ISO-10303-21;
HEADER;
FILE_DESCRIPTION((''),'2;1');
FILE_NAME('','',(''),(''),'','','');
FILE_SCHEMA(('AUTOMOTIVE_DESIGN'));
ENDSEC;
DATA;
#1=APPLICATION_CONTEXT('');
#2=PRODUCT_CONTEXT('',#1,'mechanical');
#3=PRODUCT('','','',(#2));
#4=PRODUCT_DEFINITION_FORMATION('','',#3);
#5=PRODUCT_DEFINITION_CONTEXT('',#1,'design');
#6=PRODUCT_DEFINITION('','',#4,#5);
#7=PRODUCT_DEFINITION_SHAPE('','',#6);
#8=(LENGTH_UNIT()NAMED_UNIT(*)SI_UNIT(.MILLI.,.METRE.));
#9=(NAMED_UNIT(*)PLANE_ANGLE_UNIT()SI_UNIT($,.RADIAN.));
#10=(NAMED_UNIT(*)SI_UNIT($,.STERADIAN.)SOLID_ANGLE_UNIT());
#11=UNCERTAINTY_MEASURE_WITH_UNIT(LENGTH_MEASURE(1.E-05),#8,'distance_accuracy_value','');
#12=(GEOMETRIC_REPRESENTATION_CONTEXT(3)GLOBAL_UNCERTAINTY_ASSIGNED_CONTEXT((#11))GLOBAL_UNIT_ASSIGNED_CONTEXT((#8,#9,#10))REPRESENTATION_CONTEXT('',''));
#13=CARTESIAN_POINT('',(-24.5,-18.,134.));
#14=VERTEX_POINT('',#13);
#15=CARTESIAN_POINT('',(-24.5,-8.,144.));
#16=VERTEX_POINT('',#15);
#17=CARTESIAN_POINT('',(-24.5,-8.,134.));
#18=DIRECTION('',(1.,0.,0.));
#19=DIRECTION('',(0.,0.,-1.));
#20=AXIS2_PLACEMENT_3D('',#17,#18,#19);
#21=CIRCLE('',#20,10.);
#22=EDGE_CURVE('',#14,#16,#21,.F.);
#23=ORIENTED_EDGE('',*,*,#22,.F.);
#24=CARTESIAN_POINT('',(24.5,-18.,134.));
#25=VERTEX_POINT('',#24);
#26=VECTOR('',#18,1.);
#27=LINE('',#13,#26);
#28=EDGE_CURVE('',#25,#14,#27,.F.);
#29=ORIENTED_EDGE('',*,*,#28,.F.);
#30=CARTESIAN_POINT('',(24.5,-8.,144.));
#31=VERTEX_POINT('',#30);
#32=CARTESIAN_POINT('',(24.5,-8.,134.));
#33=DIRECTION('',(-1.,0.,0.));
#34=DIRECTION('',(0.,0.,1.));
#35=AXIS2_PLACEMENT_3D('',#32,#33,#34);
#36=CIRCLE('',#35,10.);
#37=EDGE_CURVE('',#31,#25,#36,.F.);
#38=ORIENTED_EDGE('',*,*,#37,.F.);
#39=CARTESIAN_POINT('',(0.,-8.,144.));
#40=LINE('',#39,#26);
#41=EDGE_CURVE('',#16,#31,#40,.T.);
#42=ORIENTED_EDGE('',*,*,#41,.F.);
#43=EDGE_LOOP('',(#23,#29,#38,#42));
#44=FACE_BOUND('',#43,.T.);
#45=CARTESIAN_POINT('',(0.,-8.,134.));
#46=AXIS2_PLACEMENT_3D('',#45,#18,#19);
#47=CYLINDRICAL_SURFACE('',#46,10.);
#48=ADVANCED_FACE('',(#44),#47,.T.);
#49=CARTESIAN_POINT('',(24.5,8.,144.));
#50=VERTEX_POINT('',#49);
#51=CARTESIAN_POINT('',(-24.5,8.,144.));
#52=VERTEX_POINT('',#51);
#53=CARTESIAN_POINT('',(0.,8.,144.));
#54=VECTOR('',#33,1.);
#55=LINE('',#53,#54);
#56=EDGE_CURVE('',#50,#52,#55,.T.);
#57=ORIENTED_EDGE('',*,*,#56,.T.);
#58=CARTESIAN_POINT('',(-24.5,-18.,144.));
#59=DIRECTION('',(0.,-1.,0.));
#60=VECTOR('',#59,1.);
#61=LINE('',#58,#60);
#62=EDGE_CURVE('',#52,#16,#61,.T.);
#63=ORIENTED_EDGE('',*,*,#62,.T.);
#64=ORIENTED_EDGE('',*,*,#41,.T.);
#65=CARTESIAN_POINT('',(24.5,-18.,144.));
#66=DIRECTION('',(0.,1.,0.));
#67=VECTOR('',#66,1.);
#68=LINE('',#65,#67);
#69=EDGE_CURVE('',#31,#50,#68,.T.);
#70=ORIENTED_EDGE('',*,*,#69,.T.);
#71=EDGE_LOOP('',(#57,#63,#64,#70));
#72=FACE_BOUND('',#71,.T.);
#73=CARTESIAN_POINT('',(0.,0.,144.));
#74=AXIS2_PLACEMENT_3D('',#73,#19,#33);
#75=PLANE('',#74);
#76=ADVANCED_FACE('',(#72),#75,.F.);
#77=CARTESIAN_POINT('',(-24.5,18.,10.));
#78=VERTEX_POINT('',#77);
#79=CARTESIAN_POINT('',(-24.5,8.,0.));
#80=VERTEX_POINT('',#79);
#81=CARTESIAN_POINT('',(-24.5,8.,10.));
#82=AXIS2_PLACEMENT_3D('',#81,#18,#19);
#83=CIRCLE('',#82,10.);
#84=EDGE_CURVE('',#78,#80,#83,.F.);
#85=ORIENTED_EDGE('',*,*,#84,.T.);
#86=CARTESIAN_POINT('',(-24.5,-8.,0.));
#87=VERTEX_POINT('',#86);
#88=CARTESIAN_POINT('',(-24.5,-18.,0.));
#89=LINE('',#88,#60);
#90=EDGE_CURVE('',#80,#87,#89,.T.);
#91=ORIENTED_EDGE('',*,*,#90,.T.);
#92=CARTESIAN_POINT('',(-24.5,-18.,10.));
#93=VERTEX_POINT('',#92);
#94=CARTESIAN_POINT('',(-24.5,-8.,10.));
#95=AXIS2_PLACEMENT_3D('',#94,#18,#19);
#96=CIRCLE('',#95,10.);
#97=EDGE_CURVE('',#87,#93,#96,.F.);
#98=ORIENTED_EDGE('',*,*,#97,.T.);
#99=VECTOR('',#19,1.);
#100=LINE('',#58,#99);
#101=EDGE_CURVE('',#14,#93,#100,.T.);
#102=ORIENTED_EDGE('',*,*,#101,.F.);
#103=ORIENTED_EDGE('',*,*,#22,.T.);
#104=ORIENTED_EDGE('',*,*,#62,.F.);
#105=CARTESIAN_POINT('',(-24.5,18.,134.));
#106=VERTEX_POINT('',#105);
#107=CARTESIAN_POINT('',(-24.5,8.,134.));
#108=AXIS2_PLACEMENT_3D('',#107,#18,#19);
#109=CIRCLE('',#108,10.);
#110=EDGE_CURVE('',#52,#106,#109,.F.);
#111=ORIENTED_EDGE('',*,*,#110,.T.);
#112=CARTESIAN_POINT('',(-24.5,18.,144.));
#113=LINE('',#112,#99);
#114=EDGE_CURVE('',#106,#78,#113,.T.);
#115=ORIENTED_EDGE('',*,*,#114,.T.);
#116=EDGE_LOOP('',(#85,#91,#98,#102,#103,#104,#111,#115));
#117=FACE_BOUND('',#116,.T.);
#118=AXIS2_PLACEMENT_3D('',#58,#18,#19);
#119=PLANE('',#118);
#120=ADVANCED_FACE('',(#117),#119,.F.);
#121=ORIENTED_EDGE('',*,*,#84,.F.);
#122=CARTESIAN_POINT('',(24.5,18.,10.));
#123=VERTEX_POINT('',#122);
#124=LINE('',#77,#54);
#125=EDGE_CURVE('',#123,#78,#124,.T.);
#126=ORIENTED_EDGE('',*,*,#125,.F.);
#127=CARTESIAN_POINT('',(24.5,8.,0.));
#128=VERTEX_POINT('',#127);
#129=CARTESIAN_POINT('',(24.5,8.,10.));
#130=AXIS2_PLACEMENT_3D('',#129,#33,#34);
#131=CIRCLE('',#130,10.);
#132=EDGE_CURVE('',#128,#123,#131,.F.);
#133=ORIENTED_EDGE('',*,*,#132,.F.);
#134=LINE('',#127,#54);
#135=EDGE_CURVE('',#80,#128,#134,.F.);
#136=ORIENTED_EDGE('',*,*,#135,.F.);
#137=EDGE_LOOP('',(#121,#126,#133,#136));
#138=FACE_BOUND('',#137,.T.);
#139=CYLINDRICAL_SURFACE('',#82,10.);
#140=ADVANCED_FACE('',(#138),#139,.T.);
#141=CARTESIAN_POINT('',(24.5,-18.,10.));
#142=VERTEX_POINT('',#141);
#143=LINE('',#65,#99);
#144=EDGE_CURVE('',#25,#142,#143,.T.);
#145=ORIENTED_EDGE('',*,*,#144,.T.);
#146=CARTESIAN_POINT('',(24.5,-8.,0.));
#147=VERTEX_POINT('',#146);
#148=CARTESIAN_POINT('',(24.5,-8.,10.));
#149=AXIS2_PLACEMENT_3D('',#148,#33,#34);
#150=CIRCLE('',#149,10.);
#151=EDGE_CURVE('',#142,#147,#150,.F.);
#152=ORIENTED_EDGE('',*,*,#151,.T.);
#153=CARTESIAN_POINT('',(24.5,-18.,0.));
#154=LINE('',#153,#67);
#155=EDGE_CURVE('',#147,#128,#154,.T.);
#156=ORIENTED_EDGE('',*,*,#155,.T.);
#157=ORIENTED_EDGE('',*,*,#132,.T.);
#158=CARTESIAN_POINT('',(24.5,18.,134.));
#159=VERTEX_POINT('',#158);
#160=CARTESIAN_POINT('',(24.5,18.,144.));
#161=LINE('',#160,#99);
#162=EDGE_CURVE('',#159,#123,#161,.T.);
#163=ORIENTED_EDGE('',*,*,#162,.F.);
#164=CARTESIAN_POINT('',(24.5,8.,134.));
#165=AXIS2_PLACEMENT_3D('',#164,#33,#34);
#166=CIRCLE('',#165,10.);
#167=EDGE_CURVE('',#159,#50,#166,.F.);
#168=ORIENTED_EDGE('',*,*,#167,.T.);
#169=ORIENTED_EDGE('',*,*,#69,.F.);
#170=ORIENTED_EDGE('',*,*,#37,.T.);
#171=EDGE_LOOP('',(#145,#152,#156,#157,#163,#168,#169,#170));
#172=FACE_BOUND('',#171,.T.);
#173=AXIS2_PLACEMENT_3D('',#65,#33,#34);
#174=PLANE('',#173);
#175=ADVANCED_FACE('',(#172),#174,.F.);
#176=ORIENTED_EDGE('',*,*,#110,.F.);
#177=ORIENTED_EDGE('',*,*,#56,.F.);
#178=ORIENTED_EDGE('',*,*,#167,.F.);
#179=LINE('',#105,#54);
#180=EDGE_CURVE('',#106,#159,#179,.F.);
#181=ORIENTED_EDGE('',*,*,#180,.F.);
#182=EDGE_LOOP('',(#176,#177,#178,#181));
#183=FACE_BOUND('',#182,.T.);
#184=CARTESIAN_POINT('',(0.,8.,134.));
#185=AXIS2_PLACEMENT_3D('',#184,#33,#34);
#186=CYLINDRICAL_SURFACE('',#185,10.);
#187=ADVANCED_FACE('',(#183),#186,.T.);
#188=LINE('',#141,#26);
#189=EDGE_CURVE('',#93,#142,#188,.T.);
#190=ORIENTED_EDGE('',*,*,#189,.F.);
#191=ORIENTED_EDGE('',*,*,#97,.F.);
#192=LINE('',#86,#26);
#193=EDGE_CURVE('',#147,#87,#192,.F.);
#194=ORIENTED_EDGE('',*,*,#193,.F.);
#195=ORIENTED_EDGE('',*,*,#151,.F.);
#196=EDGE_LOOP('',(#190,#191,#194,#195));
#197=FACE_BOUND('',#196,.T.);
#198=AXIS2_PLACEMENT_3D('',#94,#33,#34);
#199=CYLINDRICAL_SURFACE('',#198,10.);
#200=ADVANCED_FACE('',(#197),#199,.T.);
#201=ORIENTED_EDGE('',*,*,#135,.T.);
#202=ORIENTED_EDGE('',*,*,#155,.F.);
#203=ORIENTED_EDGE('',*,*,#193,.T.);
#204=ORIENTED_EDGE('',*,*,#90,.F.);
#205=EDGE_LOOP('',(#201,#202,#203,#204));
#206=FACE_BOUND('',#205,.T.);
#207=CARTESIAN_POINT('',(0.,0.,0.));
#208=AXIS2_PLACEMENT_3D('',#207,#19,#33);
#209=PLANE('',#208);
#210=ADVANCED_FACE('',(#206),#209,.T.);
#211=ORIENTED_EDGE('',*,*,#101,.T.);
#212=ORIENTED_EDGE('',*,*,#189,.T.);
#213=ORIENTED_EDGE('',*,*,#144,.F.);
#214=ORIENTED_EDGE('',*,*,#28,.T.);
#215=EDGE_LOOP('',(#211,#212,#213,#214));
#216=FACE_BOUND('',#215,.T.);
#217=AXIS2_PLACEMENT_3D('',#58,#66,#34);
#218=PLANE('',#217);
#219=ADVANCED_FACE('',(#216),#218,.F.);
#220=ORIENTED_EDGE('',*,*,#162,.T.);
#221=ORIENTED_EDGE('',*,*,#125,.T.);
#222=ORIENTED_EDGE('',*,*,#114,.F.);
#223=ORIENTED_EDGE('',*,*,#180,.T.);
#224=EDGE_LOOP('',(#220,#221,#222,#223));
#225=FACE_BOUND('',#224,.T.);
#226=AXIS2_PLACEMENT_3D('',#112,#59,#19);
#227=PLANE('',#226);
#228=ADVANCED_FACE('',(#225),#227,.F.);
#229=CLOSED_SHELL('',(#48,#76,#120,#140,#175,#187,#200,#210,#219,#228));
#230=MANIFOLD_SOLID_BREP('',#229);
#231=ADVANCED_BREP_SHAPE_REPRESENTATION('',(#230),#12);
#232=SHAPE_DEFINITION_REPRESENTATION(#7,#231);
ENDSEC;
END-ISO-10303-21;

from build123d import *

# Parameters (mm, degrees)
SCHIZZO1_W                   = 49
SCHIZZO1_H                   = 36
ESTRUSIONE_ESTRUSIONE1_DEPTH = 144
RACCORDO1_R                  = 10


with BuildPart() as part:
    # Schizzo1 → Estrusione-Estrusione1 (new body)
    with BuildSketch(Plane.XY):
        Rectangle(SCHIZZO1_W, SCHIZZO1_H)
    extrude(amount=ESTRUSIONE_ESTRUSIONE1_DEPTH)

    # Raccordo1
    raccordo1_edges = [part.edges().sort_by_distance(p)[0] for p in [
        (0, -18, 144),
        (0, -18, 0),
        (0, 18, 0),
        (0, 18, 144),
    ]]
    fillet(raccordo1_edges, radius=RACCORDO1_R)


solid = part.part
